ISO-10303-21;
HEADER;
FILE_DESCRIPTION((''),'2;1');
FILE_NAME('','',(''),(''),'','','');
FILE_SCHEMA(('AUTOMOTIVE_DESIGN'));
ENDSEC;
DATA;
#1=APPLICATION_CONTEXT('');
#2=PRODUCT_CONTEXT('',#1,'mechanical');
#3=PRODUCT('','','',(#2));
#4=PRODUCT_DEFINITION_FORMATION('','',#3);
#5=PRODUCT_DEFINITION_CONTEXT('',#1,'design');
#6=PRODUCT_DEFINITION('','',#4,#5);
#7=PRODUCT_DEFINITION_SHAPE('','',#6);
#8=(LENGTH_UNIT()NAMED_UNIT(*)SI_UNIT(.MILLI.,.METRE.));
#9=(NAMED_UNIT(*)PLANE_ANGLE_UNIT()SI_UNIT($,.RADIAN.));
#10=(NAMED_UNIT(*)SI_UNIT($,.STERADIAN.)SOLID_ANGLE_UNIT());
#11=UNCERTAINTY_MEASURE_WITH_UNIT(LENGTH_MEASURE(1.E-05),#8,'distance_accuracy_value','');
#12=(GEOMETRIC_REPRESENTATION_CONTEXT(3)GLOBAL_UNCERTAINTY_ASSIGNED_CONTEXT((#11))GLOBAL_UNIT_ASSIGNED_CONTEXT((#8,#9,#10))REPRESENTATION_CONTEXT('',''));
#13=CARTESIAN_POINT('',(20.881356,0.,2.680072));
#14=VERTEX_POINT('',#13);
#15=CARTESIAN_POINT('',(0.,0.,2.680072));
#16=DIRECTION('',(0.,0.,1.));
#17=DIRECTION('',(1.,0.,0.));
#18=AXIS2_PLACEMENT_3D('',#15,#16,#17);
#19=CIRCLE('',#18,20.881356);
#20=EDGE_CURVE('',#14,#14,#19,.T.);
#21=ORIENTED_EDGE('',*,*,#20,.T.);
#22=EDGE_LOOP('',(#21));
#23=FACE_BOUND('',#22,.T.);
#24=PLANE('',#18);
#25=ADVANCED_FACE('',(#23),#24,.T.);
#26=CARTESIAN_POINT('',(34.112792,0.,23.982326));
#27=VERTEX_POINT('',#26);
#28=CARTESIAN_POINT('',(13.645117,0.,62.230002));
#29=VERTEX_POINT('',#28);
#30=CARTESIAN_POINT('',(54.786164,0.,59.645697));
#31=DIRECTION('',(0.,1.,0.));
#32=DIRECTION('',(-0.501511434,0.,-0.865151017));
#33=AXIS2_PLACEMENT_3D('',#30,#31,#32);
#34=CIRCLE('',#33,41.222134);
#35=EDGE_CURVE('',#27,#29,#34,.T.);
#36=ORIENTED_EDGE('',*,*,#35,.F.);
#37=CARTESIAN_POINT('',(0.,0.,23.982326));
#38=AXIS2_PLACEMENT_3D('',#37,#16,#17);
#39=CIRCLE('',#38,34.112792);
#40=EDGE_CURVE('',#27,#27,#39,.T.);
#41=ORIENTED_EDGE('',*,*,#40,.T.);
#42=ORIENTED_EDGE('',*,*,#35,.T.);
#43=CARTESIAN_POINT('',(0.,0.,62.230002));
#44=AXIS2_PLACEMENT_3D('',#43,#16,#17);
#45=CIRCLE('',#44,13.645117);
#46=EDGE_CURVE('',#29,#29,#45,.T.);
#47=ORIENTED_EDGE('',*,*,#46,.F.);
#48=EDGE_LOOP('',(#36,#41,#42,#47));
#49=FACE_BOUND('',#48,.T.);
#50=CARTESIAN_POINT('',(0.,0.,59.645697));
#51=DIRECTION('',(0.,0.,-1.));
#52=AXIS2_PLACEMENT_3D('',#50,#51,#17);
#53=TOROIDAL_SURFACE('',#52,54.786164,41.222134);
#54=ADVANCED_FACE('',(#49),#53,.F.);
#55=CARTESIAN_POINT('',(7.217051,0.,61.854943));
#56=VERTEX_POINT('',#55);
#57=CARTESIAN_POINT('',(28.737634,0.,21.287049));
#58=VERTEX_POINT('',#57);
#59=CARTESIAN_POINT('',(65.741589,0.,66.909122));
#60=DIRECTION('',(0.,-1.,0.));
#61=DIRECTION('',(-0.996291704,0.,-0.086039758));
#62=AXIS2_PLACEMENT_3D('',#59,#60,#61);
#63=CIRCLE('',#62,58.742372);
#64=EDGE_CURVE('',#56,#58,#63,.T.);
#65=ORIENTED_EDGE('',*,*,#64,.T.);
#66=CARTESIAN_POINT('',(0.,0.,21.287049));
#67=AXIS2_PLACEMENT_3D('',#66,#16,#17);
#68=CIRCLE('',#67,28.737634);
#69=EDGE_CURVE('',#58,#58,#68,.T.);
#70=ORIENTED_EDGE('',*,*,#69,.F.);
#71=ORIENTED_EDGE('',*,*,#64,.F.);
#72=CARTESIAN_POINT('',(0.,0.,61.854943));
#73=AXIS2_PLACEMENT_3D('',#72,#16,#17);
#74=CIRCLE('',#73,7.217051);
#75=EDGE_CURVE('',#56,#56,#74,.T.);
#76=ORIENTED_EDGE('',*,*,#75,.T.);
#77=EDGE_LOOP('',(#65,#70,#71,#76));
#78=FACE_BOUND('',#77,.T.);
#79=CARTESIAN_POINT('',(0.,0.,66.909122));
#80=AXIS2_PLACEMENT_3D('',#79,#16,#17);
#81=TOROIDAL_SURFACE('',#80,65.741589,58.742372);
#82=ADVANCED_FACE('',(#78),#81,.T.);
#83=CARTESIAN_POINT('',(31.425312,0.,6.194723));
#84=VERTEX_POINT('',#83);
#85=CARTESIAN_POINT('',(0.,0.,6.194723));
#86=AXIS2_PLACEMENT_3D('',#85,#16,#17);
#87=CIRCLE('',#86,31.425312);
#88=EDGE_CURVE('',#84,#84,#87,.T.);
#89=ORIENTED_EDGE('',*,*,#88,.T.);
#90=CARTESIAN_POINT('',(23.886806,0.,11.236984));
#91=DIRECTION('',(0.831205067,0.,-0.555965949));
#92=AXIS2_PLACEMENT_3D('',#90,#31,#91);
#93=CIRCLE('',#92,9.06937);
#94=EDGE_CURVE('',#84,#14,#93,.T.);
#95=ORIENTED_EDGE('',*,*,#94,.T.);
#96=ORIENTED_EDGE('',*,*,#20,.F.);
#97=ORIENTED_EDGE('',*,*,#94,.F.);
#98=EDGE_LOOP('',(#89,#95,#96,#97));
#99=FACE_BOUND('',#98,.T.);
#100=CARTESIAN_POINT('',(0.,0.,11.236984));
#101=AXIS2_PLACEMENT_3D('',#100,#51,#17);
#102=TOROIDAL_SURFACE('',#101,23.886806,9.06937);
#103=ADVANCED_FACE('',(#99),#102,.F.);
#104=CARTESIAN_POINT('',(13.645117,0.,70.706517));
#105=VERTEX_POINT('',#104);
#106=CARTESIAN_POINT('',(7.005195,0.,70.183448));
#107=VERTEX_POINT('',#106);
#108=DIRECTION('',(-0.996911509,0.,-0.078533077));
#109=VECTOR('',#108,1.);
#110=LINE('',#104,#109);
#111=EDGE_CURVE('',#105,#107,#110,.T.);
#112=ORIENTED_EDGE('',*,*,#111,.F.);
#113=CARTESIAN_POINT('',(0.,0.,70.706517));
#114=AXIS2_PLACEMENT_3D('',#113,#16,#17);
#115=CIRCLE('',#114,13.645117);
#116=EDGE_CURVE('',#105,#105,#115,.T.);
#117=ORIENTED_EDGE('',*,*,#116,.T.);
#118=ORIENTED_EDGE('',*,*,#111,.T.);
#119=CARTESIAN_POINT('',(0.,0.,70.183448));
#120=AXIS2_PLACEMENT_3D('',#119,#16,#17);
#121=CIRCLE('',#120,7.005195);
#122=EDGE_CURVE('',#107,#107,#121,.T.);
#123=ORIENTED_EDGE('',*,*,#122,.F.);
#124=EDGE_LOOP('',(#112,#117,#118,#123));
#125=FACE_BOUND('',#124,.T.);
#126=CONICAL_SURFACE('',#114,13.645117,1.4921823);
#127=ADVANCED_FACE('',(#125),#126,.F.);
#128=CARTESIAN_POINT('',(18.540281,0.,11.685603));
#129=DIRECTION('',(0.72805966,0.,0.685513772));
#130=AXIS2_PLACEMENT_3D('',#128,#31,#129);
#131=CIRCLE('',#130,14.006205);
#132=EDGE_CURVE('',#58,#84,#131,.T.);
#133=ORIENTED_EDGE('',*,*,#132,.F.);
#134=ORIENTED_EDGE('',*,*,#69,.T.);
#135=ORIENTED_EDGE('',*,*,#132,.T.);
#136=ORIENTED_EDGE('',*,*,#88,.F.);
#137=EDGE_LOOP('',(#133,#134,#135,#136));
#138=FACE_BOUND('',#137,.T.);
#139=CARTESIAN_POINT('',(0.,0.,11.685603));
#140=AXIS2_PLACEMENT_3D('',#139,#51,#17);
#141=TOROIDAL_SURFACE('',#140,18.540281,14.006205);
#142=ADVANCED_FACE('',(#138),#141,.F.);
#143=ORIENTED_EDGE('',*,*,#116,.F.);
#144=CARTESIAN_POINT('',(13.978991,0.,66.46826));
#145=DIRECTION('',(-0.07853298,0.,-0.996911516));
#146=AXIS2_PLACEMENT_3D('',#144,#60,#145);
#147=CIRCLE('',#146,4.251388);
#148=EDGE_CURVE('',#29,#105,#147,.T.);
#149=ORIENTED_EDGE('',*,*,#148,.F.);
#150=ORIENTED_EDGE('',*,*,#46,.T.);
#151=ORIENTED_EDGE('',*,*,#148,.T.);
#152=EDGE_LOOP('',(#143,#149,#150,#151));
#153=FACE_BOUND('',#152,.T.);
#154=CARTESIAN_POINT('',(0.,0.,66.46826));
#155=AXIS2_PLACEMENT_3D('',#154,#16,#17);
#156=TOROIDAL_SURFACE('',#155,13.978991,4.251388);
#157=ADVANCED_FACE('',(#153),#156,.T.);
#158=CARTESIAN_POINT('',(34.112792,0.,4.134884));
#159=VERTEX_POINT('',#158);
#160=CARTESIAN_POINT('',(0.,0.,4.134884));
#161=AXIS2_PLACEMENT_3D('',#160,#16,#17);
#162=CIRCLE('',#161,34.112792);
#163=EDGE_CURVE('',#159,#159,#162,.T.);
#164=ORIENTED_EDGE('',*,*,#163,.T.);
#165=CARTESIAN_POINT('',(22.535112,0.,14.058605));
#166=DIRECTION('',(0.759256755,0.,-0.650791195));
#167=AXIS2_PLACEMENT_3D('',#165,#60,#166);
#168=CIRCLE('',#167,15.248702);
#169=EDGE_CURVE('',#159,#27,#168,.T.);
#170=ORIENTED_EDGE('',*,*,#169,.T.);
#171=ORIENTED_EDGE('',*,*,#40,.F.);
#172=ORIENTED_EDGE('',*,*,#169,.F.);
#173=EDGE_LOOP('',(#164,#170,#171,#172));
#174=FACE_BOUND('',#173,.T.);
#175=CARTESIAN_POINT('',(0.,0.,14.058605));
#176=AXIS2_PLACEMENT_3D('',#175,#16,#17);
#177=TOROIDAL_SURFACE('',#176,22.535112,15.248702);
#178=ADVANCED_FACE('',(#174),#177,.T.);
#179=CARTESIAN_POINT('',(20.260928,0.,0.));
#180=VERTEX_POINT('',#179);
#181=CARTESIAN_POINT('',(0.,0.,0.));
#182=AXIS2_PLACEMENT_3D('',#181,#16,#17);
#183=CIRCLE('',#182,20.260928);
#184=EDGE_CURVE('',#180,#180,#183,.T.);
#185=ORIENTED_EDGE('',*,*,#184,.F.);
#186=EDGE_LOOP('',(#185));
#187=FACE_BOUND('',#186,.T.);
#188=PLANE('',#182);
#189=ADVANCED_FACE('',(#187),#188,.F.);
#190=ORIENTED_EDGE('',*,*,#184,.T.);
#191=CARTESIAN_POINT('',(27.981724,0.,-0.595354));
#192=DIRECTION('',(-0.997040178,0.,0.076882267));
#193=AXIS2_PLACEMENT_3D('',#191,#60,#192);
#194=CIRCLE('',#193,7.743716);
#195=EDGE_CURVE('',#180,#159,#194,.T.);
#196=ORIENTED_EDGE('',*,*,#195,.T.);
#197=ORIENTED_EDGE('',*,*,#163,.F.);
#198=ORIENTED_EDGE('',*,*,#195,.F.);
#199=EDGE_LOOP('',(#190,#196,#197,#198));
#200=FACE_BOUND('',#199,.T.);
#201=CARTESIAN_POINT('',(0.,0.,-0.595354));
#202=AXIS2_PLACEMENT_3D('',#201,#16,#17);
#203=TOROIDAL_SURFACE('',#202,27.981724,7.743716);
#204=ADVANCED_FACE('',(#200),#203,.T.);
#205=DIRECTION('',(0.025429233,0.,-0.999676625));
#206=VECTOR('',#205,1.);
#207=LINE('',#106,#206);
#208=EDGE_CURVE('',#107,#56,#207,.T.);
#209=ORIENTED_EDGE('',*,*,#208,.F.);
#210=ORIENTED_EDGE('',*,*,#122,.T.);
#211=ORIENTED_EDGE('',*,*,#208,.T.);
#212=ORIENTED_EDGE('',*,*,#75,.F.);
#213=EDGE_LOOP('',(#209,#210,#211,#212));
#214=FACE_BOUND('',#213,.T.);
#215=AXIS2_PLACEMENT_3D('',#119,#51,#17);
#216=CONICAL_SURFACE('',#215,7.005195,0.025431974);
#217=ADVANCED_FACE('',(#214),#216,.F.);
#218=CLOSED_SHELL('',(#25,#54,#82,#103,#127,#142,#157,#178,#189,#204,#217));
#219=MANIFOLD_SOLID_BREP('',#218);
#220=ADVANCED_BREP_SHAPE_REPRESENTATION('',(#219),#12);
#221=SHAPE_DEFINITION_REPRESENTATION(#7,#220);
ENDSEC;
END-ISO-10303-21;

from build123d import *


with BuildPart() as f1:
    # F0 (on Front) → F1 (revolve)
    with BuildSketch(Plane.XZ):
        with BuildLine():
            Line((0, 2.680072), (0, 0))
            Line((0, 0), (20.260928, 0))
            ThreePointArc((20.260928, 0), (30.196702, -8.015531), (34.112792, 4.134884))
            ThreePointArc((34.112792, 4.134884), (37.783814, 14.058605), (34.112792, 23.982326))
            ThreePointArc((34.112792, 23.982326), (18.44092, 40.19608), (13.645117, 62.230002))
            ThreePointArc((13.645117, 62.230002), (18.230379, 66.468259), (13.645117, 70.706517))
            Line((13.645117, 70.706517), (7.005195, 70.183448))
            Line((7.005195, 70.183448), (7.217051, 61.854943))
            ThreePointArc((7.217051, 61.854943), (13.848798, 39.380873), (28.737634, 21.287049))
            ThreePointArc((28.737634, 21.287049), (32.329541, 14.141227), (31.425312, 6.194723))
            ThreePointArc((31.425312, 6.194723), (26.754792, 2.633024), (20.881356, 2.680072))
            Line((20.881356, 2.680072), (0, 2.680072))
        make_face()
    revolve(axis=Axis((0, 0, 1.340036), (0, 0, 1)))


solid = f1.part
